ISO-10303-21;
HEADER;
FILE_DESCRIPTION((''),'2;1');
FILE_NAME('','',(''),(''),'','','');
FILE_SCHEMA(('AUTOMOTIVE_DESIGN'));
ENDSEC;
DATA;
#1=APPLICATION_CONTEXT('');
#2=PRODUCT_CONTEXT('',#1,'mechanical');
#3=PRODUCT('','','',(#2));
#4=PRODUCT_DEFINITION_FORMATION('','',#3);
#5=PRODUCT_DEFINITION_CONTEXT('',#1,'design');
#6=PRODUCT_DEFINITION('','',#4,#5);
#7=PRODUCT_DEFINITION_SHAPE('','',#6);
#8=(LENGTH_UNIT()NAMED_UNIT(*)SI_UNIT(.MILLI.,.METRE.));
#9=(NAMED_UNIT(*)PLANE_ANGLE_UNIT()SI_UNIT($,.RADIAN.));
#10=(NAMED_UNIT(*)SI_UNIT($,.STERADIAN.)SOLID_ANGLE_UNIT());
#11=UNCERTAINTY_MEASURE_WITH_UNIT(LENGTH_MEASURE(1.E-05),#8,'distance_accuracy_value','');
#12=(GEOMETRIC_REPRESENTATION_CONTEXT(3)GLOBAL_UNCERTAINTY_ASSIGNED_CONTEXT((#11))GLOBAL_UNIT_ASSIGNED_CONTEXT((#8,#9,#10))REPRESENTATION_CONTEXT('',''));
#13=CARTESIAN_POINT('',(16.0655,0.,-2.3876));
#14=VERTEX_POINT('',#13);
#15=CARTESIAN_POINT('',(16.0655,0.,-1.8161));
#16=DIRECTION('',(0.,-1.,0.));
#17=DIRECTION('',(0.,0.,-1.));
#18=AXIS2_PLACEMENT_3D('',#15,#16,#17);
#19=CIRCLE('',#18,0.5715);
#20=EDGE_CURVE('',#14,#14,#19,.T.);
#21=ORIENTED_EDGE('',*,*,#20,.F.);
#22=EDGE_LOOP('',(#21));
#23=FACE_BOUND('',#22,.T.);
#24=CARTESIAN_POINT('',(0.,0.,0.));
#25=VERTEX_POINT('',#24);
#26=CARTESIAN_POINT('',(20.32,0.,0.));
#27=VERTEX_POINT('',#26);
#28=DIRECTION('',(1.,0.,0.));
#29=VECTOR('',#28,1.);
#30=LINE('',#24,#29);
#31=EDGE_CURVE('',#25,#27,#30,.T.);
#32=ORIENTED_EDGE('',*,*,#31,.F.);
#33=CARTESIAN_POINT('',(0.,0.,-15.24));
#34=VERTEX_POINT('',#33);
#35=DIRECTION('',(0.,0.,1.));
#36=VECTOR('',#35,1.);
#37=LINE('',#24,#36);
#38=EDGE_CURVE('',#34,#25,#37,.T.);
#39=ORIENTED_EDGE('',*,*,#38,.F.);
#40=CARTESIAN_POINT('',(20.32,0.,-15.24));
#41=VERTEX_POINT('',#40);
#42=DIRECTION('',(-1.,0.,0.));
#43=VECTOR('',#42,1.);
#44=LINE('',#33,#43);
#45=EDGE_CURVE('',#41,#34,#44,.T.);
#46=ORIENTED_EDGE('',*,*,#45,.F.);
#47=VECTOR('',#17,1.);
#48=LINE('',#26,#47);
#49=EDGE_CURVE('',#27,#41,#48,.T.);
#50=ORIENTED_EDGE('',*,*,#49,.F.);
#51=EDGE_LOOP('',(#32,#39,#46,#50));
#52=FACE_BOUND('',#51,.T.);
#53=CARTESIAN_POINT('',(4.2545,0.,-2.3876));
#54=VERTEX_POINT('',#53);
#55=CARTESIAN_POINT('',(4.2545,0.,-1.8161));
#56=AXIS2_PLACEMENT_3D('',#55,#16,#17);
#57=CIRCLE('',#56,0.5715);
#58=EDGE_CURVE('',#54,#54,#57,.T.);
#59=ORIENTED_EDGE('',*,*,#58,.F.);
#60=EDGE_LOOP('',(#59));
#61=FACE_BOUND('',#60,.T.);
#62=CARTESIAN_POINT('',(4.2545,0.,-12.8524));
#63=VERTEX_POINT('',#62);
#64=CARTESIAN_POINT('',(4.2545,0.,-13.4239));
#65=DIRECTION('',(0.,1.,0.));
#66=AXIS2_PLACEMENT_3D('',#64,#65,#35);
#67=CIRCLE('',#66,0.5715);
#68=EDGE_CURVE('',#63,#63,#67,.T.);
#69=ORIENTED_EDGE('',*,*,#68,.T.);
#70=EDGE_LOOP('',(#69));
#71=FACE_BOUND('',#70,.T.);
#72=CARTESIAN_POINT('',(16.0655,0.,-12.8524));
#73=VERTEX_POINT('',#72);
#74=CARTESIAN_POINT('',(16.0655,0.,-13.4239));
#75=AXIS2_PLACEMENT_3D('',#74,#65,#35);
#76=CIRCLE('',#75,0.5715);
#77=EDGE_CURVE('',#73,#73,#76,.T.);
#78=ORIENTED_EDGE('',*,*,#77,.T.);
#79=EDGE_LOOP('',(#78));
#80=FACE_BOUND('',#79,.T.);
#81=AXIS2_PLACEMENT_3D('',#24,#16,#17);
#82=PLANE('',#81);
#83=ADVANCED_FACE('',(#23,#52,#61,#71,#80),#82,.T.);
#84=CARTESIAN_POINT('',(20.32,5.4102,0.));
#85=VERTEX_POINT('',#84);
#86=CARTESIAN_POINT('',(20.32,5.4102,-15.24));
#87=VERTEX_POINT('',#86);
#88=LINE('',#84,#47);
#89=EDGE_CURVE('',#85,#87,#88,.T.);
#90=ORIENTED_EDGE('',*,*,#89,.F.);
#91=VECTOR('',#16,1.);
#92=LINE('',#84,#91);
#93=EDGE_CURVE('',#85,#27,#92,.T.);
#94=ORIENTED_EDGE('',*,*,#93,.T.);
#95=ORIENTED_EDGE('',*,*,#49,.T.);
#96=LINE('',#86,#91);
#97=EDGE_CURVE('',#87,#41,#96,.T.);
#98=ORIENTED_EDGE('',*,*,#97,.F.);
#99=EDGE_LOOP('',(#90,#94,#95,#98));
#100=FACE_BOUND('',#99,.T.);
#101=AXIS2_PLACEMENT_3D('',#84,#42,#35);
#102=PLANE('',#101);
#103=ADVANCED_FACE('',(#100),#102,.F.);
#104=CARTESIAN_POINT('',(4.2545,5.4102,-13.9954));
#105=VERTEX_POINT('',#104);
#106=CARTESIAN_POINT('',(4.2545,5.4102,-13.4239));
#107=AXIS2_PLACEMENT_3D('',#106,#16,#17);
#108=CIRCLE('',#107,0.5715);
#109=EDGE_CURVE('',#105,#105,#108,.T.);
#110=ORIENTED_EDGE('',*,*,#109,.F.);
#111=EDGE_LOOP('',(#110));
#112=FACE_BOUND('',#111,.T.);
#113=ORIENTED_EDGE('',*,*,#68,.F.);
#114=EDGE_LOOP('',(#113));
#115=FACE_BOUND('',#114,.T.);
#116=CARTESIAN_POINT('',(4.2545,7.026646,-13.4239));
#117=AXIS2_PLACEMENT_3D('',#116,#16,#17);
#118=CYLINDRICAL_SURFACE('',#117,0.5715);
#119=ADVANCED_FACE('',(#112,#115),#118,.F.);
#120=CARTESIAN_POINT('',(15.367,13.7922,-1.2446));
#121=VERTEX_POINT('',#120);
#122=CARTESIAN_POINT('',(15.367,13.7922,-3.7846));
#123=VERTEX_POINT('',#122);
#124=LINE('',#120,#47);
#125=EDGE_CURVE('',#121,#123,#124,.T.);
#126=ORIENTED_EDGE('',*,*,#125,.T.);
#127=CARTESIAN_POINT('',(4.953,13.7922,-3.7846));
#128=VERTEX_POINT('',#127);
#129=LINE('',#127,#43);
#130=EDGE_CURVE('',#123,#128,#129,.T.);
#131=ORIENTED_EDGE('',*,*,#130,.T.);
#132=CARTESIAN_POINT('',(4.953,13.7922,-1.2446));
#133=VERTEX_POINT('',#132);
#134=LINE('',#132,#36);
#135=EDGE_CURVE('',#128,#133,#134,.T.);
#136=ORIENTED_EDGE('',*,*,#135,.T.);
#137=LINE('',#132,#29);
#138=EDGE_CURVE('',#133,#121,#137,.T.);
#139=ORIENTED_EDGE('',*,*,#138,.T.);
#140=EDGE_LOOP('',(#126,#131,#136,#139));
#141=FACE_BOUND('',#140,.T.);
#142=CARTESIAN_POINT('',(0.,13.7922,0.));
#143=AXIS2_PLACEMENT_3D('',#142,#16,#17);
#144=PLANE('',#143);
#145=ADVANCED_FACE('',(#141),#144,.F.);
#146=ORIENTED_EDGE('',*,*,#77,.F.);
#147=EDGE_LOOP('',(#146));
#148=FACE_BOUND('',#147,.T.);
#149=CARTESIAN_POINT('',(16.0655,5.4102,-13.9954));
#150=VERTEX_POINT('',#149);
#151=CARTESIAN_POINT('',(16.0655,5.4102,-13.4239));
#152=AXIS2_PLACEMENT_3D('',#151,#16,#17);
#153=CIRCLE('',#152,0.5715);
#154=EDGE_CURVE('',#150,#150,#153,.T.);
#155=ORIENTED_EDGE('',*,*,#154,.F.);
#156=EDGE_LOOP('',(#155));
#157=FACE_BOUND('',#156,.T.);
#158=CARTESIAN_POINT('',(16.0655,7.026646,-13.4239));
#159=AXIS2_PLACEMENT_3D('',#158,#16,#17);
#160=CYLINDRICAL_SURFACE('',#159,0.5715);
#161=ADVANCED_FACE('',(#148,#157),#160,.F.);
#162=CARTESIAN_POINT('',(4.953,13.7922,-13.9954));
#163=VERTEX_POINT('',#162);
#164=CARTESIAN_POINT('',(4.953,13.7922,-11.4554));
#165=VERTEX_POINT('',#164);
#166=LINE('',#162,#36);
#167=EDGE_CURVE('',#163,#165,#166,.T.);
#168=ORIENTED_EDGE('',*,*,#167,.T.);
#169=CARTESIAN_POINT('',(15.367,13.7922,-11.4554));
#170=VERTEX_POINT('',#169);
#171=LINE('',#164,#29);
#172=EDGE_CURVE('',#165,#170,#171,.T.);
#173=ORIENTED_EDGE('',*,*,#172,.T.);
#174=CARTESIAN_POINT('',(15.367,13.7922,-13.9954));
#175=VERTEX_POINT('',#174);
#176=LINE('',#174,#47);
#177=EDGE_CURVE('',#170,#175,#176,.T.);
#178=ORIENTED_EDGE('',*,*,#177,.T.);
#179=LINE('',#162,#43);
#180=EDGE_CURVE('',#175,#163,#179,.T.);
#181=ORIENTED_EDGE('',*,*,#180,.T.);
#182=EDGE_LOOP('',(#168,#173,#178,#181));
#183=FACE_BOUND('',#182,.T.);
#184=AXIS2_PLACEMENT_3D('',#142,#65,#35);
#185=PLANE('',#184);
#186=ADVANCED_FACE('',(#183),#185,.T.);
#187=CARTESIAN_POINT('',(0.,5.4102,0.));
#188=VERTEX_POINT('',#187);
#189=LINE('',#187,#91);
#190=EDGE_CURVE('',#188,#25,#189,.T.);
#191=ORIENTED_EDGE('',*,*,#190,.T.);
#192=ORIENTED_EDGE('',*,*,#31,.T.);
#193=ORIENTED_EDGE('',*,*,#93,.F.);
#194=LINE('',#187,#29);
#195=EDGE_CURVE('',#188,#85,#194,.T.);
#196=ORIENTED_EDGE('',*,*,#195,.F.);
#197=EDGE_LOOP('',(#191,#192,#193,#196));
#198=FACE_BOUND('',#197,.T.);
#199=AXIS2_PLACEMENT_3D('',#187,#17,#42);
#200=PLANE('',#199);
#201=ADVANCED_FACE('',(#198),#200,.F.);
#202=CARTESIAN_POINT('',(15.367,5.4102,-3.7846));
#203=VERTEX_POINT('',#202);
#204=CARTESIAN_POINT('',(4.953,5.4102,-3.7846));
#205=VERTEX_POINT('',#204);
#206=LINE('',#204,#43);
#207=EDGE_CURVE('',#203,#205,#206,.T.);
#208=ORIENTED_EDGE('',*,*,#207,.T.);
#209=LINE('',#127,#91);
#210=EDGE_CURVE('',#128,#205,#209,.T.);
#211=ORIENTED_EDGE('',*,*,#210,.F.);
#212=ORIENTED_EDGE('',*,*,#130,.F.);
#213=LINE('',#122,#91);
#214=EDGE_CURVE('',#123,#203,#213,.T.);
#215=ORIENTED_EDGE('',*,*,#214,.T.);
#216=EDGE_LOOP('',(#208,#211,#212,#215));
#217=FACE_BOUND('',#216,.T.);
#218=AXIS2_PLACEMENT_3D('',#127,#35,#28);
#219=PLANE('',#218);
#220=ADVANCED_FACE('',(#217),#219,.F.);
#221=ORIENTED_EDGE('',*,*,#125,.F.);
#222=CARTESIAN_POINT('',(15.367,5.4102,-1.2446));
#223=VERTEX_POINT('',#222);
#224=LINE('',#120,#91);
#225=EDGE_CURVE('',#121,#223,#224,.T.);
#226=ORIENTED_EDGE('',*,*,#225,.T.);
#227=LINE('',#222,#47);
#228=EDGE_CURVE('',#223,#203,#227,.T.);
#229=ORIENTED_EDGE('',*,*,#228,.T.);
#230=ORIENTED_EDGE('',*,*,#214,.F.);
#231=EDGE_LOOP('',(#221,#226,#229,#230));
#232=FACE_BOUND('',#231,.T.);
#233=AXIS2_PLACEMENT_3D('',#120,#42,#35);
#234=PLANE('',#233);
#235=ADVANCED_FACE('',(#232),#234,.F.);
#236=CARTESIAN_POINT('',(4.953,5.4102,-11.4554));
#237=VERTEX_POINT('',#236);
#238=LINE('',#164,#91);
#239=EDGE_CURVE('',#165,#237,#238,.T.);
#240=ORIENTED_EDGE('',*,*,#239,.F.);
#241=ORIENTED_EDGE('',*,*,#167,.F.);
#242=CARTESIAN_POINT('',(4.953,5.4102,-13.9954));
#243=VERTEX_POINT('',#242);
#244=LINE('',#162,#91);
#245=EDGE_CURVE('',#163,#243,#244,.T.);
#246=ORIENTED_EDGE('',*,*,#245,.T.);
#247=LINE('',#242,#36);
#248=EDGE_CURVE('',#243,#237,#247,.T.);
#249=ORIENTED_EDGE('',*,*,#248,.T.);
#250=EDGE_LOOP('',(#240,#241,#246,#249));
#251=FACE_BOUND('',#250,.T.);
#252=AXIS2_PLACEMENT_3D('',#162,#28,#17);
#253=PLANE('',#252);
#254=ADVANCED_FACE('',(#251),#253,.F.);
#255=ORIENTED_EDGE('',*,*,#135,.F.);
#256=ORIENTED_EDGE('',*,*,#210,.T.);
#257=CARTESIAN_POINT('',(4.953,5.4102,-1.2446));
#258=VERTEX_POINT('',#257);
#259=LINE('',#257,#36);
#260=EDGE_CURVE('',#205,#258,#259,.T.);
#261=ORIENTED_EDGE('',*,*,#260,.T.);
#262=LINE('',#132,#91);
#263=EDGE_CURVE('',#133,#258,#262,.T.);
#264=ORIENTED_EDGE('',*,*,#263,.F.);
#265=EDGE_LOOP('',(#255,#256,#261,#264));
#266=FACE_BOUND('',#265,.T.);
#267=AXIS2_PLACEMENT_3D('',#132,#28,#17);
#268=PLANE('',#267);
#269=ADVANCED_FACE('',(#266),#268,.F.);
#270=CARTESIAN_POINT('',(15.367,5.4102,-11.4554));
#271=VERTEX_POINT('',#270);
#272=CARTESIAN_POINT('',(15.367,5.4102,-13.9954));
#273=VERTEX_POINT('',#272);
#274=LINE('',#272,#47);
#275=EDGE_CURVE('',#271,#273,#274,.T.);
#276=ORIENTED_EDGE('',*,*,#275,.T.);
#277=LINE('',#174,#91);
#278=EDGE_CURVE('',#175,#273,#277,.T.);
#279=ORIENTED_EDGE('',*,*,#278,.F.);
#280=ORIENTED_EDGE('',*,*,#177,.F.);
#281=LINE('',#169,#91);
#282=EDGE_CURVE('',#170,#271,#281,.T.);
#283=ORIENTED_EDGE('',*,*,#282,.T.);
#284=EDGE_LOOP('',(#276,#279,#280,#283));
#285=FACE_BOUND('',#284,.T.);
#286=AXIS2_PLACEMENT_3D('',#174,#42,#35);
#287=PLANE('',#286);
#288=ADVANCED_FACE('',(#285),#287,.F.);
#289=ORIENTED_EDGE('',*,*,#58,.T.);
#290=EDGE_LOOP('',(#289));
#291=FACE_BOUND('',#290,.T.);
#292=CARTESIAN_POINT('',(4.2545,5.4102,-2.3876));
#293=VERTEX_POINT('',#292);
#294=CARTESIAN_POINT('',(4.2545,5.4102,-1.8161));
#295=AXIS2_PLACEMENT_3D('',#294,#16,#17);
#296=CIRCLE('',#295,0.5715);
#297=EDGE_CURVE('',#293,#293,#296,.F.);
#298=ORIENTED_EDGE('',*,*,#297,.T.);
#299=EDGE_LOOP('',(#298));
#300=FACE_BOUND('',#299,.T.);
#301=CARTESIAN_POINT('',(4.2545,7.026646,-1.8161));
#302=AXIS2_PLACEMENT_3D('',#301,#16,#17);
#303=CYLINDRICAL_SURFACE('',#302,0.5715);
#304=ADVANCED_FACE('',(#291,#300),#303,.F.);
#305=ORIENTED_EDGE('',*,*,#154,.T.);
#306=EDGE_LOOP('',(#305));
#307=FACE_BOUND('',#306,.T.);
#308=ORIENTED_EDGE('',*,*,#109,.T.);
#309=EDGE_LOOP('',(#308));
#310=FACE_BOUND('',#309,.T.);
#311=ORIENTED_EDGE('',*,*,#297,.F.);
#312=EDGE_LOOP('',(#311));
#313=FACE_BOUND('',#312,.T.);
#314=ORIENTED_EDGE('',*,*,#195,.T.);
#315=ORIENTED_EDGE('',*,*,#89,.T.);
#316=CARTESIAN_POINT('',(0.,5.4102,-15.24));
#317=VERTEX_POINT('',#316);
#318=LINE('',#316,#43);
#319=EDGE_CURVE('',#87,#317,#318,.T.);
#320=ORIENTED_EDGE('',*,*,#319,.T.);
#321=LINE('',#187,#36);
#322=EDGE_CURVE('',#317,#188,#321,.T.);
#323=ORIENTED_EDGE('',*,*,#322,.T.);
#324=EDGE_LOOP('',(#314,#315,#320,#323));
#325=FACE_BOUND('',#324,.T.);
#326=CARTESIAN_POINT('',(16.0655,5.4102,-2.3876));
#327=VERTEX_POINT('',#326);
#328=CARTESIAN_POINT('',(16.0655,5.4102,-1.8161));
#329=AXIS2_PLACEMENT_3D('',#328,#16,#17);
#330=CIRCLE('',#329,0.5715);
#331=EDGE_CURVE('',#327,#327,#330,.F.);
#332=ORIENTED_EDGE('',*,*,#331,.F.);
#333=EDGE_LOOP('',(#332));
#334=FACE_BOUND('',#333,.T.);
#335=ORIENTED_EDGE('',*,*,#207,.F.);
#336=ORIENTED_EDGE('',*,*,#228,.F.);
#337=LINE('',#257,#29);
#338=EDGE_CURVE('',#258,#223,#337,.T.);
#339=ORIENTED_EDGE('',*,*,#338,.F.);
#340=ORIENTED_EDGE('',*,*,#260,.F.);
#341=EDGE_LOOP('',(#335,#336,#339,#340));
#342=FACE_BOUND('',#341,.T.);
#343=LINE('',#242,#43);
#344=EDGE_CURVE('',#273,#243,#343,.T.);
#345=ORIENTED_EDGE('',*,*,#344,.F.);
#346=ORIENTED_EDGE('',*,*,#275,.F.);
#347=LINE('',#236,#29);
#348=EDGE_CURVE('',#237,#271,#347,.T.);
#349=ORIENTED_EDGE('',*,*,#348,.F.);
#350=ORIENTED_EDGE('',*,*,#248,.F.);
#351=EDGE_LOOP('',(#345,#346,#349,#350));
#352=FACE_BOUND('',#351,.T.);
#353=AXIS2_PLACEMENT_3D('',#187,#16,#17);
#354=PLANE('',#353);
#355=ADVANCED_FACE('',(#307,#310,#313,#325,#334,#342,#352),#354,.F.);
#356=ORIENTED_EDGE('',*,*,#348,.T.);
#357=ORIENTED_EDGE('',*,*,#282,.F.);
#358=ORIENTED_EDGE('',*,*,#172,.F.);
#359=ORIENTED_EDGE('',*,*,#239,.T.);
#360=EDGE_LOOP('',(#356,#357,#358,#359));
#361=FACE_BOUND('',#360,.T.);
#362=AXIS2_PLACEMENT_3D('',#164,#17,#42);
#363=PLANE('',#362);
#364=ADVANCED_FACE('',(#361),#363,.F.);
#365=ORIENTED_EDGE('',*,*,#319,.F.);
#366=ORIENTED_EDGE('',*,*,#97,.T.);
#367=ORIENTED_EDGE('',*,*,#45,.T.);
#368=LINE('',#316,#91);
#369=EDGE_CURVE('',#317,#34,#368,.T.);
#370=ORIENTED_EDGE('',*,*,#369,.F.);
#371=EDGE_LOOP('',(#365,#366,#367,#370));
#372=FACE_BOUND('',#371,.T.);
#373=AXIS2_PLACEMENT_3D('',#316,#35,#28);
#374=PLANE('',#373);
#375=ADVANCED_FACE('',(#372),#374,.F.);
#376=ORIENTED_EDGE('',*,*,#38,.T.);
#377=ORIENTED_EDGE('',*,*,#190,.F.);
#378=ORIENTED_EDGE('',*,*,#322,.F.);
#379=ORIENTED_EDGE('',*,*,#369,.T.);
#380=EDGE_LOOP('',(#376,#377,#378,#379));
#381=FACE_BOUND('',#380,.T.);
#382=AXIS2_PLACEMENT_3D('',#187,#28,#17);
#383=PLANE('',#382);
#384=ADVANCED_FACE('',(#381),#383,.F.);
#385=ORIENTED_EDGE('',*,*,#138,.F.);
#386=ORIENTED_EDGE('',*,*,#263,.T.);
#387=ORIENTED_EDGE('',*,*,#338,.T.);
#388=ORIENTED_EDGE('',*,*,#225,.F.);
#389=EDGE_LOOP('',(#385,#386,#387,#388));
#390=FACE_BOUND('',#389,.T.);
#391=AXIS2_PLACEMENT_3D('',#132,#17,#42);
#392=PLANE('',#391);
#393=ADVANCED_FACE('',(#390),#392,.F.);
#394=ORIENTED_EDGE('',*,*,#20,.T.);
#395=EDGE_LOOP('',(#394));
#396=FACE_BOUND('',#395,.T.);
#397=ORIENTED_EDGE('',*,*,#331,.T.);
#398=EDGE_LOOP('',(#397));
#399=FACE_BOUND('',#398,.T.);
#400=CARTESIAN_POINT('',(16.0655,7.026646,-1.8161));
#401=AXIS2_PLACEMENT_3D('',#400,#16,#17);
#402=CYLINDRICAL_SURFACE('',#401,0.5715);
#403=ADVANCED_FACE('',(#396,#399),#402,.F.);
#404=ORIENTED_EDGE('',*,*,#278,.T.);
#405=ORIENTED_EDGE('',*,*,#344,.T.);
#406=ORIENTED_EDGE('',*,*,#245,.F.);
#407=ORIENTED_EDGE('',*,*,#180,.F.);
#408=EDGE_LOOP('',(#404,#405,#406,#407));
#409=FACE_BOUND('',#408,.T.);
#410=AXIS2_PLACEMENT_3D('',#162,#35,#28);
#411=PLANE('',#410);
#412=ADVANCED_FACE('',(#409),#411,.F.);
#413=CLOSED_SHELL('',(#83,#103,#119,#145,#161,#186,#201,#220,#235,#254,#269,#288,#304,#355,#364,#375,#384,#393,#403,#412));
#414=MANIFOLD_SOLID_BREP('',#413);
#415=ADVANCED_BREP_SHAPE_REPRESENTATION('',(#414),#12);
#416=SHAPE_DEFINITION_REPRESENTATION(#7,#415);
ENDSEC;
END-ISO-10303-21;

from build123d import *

# Parameters (mm, degrees)
SKETCH1_W           = 20.32
SKETCH1_H           = 15.24
BOSS_EXTRUDE1_DEPTH = 5.4102
SKETCH2_W           = 10.414
SKETCH2_H           = 2.54
BOSS_EXTRUDE2_DEPTH = 8.382
SKETCH3_R           = 0.5715
CUT_EXTRUDE1_DEPTH  = 5.4102


with BuildPart() as part:
    # Sketch1 → Boss-Extrude1 (new body)
    with BuildSketch(Plane(origin=(0, 0, 0), x_dir=(1, 0, 0), z_dir=(0, 1, 0))):
        with Locations((10.16, 7.62)):
            Rectangle(SKETCH1_W, SKETCH1_H)
    extrude(amount=BOSS_EXTRUDE1_DEPTH)

    # Sketch2 → Boss-Extrude2 (add)
    with BuildSketch(Plane(origin=(0, 5.4102, 0), x_dir=(1, 0, 0), z_dir=(0, 1, 0))):
        with Locations((10.16, 12.7254)):
            Rectangle(SKETCH2_W, SKETCH2_H)
        with Locations((10.16, 2.5146)):
            Rectangle(SKETCH2_W, SKETCH2_H)
    extrude(amount=BOSS_EXTRUDE2_DEPTH)

    # Sketch3 → Cut-Extrude1 (cut)
    with BuildSketch(Plane.XZ):
        with Locations(Location((4.2545, -1.8161, 0), (0, 0, 270))):
            Circle(SKETCH3_R)
        with Locations(Location((16.0655, -1.8161, 0), (0, 0, 270))):
            Circle(SKETCH3_R)
        with Locations(Location((16.0655, -13.4239, 0), (0, 0, 270))):
            Circle(SKETCH3_R)
        with Locations(Location((4.2545, -13.4239, 0), (0, 0, 270))):
            Circle(SKETCH3_R)
    extrude(amount=-CUT_EXTRUDE1_DEPTH, mode=Mode.SUBTRACT)


solid = part.part
